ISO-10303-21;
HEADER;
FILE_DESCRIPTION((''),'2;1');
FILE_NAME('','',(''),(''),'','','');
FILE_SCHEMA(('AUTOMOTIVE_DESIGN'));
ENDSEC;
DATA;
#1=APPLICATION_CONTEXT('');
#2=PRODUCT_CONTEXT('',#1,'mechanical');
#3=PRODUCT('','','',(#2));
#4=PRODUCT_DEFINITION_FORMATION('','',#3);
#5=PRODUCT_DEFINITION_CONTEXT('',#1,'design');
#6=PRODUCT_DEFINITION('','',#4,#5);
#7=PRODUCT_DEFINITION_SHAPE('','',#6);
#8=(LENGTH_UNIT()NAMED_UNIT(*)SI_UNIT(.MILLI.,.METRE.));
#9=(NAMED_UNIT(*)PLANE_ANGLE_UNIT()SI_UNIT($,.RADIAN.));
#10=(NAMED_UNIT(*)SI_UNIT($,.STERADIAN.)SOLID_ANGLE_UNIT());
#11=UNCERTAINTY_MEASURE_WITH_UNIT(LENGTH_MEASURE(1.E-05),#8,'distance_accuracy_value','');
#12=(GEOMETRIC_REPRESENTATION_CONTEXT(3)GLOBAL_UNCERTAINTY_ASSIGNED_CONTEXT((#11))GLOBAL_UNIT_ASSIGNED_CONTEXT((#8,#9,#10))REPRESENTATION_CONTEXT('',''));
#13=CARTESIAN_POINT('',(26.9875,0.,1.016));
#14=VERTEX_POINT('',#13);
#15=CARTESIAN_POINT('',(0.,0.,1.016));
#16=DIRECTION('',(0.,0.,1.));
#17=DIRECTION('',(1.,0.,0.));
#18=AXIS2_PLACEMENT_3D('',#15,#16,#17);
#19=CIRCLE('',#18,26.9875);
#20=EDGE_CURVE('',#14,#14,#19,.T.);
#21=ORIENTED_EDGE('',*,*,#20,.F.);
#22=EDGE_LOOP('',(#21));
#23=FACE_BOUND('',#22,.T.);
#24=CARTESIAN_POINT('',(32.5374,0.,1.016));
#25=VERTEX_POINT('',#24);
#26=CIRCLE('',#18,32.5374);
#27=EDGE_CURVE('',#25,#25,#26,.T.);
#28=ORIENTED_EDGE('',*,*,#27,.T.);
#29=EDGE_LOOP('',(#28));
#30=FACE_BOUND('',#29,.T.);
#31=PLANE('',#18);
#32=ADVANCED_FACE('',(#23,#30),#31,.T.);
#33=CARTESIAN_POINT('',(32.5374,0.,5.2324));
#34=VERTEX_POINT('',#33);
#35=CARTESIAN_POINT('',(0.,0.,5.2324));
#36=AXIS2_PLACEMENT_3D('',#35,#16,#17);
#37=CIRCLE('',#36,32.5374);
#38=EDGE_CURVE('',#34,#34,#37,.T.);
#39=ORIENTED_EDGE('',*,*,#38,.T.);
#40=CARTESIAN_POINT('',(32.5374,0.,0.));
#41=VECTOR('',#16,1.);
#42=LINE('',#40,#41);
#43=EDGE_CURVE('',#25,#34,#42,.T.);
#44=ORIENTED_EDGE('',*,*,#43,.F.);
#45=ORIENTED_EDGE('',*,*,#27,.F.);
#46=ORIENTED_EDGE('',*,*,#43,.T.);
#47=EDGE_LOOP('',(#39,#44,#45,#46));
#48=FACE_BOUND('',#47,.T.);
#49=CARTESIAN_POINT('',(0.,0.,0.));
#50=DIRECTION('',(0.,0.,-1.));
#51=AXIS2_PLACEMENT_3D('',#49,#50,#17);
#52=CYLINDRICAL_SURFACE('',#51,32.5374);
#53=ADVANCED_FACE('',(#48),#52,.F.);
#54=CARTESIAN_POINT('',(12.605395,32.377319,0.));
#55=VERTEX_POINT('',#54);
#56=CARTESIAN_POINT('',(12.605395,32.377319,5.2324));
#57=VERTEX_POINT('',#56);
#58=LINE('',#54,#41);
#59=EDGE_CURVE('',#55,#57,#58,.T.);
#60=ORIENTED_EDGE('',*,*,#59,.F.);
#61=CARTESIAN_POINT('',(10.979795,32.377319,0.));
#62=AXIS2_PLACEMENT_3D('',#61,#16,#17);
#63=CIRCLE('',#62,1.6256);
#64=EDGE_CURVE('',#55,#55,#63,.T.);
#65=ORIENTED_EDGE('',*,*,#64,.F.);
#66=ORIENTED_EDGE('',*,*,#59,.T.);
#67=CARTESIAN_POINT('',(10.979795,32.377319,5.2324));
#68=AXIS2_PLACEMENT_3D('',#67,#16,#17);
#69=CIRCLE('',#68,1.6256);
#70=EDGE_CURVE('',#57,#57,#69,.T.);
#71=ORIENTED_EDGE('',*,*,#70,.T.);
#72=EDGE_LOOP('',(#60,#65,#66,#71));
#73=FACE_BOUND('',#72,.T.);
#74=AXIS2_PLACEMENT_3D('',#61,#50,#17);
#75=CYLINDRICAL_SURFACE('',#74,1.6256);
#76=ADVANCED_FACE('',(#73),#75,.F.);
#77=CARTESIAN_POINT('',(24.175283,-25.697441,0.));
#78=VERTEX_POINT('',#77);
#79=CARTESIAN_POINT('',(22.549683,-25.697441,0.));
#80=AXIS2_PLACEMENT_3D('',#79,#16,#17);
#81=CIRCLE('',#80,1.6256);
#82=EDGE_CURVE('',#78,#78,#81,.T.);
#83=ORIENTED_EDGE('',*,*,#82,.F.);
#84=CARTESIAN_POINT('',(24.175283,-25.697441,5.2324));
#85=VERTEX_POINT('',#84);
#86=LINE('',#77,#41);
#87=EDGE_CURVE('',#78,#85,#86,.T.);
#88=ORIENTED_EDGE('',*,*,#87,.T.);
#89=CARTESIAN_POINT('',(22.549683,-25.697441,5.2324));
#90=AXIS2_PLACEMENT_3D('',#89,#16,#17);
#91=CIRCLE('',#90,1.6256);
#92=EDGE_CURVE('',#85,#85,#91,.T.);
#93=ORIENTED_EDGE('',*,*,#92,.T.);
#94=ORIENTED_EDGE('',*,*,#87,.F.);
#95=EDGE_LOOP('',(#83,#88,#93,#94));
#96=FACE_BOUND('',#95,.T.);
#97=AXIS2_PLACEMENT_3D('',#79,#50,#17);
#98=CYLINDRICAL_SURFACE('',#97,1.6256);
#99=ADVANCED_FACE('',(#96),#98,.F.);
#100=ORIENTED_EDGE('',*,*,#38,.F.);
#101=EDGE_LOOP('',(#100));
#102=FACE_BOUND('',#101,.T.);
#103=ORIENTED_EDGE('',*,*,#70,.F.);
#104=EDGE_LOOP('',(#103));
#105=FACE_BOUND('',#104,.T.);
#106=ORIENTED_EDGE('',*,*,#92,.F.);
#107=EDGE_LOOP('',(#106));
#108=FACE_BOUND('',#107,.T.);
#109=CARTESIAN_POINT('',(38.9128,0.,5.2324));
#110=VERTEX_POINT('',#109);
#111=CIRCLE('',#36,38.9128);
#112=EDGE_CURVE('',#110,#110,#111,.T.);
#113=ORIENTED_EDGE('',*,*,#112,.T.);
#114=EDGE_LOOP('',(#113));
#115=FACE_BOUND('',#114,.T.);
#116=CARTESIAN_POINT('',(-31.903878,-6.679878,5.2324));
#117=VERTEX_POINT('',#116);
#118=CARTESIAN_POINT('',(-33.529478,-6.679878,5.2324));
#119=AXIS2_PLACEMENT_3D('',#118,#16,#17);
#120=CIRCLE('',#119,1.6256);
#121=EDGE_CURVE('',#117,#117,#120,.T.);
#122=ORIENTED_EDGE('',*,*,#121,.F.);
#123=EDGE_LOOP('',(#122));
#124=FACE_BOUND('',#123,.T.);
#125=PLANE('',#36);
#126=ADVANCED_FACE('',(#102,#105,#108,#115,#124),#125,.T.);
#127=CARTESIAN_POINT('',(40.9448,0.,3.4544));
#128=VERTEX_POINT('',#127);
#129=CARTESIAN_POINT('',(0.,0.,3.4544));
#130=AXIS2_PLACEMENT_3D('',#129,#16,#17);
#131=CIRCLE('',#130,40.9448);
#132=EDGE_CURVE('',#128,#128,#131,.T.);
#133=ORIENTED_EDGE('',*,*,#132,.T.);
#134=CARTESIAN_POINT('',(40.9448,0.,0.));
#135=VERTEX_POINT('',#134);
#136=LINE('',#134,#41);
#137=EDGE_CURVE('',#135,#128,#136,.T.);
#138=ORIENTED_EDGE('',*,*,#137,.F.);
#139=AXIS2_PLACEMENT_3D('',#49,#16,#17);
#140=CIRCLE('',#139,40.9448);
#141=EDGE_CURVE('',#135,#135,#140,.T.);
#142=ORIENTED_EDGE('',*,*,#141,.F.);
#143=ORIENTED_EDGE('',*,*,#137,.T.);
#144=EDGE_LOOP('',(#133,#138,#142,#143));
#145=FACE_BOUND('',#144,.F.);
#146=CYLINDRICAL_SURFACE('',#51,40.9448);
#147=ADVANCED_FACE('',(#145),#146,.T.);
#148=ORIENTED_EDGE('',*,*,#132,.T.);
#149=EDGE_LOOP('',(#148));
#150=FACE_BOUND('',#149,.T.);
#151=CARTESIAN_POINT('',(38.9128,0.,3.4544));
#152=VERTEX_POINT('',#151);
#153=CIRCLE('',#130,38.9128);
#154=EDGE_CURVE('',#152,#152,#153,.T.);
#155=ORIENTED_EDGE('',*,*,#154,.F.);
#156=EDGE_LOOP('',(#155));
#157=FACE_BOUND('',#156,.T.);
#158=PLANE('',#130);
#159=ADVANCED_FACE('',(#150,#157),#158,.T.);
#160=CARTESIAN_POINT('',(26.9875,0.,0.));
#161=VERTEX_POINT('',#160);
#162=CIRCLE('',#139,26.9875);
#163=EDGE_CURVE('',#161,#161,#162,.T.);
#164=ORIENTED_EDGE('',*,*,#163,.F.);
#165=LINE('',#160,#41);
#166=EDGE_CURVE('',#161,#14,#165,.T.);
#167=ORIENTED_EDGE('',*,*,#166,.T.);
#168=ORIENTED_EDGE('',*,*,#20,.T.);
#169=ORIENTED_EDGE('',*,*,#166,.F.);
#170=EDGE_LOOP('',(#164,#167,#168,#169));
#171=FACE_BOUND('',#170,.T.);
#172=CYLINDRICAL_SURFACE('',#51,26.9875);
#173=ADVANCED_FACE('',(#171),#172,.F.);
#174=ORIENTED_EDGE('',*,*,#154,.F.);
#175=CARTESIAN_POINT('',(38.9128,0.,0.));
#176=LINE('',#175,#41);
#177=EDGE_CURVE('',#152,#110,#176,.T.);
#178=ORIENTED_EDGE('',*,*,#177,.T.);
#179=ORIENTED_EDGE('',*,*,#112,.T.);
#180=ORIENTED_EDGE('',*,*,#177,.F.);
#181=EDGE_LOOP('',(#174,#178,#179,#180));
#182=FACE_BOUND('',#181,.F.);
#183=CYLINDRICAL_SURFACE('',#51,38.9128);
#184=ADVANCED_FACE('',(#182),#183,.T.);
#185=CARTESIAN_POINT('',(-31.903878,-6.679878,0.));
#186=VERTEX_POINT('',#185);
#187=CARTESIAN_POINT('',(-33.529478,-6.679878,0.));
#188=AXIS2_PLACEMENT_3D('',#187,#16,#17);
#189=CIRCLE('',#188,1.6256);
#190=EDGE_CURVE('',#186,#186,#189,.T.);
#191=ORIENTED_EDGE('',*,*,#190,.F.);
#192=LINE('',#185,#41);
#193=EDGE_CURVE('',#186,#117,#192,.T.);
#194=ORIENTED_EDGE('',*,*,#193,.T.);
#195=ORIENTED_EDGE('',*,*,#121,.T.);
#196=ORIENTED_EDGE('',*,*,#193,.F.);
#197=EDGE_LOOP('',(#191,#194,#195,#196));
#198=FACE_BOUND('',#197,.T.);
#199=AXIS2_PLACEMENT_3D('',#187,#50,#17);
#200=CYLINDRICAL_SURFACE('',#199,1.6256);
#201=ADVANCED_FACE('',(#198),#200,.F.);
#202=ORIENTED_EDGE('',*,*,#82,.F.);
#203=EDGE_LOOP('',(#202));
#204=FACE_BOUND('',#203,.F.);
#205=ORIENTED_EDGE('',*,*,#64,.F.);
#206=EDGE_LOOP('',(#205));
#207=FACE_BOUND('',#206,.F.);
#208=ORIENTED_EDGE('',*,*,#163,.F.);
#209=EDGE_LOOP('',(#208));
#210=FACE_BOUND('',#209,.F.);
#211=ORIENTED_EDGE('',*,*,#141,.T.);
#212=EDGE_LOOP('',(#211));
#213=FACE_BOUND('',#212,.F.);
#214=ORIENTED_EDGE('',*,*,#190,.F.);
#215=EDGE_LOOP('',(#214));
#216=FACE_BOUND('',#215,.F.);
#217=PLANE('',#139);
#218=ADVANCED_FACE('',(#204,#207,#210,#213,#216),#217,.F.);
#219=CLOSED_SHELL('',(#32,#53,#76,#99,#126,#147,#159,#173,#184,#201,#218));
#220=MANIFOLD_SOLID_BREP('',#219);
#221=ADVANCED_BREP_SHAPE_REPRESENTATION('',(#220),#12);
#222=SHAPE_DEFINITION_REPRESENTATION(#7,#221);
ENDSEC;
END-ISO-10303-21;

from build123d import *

# Parameters (mm, degrees)
F0_R     = 38.9128
F0_R_2   = 1.6256
F0_R_3   = 32.5374
F1_DEPTH = 5.2324
F2_R     = 32.5374
F2_R_2   = 26.9875
F3_DEPTH = 1.016
F4_R     = 40.9448
F4_R_2   = 38.9128
F5_DEPTH = 3.4544


with BuildPart() as f1:
    # F0 (on Top) → F1 (new body)
    with BuildSketch(Plane.XY):
        Circle(F0_R)
        with Locations((-33.529478, -6.679878)):
            Circle(F0_R_2, mode=Mode.SUBTRACT)
        with Locations((22.549683, -25.697441)):
            Circle(F0_R_2, mode=Mode.SUBTRACT)
        Circle(F0_R_3, mode=Mode.SUBTRACT)
        with Locations((10.979795, 32.377319)):
            Circle(F0_R_2, mode=Mode.SUBTRACT)
    extrude(amount=F1_DEPTH)

    # F2 (on Top) → F3 (join)
    with BuildSketch(Plane.XY):
        Circle(F2_R)
        Circle(F2_R_2, mode=Mode.SUBTRACT)
    extrude(amount=F3_DEPTH)

    # F4 (on Top) → F5 (join)
    with BuildSketch(Plane.XY):
        Circle(F4_R)
        Circle(F4_R_2, mode=Mode.SUBTRACT)
    extrude(amount=F5_DEPTH)


solid = f1.part
